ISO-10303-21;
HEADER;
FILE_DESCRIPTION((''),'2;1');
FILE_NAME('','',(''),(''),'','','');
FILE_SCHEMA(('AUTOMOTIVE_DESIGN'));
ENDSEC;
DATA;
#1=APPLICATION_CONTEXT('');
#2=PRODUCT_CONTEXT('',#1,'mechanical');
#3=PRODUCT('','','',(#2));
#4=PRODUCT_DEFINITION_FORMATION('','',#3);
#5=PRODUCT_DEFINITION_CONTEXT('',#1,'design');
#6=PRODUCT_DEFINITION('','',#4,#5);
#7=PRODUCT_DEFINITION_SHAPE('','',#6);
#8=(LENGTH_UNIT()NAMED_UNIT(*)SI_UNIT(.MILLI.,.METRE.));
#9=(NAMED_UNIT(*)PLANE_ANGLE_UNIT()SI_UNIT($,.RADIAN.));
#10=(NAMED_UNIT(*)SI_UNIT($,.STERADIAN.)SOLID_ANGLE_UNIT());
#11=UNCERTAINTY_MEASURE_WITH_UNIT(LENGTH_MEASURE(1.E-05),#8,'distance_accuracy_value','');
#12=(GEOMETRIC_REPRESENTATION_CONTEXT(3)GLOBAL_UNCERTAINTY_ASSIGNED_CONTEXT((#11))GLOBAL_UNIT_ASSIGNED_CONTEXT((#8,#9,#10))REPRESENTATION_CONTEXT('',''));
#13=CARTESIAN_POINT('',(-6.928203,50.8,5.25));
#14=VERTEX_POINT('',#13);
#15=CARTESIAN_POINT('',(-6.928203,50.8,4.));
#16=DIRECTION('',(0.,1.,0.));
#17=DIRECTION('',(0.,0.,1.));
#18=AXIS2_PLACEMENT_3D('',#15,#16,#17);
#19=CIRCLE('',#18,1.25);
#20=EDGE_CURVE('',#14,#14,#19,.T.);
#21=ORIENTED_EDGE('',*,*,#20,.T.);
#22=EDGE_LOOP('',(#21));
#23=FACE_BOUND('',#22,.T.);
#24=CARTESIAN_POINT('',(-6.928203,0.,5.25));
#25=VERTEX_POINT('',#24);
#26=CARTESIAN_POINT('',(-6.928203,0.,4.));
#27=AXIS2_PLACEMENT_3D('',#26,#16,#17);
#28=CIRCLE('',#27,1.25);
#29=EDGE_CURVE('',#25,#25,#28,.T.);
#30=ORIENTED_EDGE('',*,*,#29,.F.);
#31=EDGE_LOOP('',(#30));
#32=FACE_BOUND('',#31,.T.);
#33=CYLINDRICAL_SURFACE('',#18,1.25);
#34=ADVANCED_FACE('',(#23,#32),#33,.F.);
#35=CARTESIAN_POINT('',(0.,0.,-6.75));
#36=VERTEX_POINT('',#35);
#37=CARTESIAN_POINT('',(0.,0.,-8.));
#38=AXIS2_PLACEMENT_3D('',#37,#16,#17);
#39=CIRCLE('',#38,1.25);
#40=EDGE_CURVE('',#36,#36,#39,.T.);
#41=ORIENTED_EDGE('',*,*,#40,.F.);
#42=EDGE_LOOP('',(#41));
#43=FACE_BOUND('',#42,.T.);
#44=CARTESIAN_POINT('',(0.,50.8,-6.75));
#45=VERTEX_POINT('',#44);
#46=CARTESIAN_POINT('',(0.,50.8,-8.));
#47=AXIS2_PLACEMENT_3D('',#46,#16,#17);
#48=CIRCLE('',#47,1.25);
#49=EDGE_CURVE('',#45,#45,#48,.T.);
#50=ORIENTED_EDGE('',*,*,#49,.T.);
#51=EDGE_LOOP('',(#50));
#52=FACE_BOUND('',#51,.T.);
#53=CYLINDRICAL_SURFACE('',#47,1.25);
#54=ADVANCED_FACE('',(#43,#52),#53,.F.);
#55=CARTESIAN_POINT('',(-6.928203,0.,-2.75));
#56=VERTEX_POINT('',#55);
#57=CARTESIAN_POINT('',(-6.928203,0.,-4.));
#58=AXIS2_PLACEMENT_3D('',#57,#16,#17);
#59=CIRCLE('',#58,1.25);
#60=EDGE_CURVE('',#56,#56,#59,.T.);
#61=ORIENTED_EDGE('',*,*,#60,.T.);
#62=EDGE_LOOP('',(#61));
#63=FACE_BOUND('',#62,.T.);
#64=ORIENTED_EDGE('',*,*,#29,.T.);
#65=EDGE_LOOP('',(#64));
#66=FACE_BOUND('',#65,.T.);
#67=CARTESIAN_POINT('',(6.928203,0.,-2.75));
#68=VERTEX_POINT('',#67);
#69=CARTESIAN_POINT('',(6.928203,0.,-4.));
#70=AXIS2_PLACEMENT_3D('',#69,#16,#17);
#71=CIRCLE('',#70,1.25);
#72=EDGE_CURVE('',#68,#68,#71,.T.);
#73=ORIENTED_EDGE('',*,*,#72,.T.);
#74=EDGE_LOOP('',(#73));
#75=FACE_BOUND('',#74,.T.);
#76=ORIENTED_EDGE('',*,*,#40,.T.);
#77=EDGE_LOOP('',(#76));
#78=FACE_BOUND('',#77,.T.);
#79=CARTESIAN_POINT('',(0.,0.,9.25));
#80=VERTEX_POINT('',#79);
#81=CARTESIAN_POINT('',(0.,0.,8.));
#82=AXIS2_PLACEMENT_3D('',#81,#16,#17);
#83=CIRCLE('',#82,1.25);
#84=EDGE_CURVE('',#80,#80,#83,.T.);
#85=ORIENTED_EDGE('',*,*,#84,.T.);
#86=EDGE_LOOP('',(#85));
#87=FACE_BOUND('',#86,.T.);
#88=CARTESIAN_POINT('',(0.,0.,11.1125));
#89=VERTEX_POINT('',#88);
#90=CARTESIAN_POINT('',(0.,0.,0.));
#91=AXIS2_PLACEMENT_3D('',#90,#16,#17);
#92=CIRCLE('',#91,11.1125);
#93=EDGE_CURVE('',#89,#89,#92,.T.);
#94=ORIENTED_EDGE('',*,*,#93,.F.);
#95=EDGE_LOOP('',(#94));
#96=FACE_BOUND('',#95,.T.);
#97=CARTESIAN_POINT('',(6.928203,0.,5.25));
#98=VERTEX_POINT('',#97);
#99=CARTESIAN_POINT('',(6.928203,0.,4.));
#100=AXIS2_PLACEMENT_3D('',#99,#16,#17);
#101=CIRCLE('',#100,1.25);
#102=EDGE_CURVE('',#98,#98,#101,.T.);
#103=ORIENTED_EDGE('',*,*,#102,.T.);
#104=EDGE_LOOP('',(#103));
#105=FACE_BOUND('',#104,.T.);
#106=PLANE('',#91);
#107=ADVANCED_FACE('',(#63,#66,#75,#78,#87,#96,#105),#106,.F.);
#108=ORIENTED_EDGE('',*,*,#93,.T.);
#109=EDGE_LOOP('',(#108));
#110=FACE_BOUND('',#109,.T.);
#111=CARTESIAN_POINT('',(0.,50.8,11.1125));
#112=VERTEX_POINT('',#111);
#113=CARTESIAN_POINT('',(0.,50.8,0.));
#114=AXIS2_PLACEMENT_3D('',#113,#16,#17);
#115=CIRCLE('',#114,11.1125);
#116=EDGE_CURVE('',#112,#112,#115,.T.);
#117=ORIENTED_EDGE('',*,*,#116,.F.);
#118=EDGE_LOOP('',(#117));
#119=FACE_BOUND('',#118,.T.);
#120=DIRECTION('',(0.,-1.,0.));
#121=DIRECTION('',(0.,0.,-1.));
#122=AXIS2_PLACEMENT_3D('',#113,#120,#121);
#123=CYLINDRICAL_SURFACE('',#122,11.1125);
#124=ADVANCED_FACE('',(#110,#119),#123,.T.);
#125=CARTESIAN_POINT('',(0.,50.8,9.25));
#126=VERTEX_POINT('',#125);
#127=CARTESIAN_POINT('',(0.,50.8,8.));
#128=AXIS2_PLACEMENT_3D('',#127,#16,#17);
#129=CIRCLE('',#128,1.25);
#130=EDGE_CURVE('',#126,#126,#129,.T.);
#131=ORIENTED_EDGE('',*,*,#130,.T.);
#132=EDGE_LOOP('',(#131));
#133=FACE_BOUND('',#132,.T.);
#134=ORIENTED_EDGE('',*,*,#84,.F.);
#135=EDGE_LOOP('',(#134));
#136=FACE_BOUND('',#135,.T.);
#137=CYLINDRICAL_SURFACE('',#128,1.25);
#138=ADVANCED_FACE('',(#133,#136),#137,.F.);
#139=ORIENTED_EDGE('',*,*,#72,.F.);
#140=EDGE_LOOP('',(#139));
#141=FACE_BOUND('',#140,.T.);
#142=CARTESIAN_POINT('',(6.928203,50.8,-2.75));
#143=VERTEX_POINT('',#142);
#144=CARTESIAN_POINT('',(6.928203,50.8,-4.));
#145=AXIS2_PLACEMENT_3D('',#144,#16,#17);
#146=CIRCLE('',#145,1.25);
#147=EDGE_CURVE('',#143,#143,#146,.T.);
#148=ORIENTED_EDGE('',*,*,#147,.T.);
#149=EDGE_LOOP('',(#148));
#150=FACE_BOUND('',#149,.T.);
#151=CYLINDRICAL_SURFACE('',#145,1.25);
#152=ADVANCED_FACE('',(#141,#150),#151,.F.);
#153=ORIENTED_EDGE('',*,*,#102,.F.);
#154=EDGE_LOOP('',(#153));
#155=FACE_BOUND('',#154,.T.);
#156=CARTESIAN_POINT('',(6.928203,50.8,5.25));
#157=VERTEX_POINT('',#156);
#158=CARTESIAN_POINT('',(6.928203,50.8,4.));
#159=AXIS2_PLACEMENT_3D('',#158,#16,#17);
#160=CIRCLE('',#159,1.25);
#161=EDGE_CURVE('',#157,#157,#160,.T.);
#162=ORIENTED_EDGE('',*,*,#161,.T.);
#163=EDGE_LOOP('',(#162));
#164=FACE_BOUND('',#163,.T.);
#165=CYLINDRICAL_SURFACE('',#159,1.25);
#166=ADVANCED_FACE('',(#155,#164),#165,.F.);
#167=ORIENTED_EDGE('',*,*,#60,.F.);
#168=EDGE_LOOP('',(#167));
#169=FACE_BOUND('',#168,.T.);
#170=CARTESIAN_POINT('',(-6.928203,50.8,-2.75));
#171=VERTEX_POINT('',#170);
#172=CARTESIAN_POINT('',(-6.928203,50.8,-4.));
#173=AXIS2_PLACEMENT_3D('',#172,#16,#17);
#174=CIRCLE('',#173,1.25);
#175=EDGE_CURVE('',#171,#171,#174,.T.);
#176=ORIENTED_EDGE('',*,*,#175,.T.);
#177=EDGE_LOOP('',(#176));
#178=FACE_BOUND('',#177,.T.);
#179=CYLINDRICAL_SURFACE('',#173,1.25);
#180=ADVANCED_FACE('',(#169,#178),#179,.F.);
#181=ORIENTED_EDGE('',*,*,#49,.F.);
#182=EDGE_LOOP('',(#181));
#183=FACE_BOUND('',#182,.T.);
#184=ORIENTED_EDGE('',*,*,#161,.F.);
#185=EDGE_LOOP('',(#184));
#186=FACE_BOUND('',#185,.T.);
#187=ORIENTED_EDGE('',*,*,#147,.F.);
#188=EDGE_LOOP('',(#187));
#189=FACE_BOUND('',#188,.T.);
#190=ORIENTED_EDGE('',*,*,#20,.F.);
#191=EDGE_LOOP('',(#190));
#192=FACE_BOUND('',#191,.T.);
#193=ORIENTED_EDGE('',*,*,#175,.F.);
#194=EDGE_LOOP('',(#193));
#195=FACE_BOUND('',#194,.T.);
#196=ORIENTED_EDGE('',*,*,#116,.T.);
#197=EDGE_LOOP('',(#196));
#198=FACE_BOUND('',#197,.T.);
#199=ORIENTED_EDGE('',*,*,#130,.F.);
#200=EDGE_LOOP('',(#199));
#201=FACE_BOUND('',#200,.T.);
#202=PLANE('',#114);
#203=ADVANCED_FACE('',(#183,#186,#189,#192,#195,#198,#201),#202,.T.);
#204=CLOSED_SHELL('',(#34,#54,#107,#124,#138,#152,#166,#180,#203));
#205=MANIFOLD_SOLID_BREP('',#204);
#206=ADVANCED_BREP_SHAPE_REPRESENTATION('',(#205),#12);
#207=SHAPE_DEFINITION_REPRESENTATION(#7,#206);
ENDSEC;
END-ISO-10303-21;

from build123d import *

# Parameters (mm, degrees)
SKETCH1_R             = 11.1125
BOSS_EXTRUDE1_DEPTH   = 50.8
M3X0_5_TAPPED_HOLE1_D = 2.5


with BuildPart() as part:
    # Sketch1 → Boss-Extrude1 (new body)
    with BuildSketch(Plane(origin=(0, 0, 0), x_dir=(1, 0, 0), z_dir=(0, 1, 0))):
        Circle(SKETCH1_R)
    extrude(amount=BOSS_EXTRUDE1_DEPTH)

    # M3x0.5 Tapped Hole1 (through all)
    with Locations(Plane(origin=(0, 50.8, 0), x_dir=(1, 0, 0), z_dir=(0, 1, 0))):
        with Locations((0, 8), (6.92820323, 4), (6.92820323, -4), (0, -8), (-6.92820323, -4), (-6.92820323, 4)):
            Hole(M3X0_5_TAPPED_HOLE1_D / 2)


solid = part.part
